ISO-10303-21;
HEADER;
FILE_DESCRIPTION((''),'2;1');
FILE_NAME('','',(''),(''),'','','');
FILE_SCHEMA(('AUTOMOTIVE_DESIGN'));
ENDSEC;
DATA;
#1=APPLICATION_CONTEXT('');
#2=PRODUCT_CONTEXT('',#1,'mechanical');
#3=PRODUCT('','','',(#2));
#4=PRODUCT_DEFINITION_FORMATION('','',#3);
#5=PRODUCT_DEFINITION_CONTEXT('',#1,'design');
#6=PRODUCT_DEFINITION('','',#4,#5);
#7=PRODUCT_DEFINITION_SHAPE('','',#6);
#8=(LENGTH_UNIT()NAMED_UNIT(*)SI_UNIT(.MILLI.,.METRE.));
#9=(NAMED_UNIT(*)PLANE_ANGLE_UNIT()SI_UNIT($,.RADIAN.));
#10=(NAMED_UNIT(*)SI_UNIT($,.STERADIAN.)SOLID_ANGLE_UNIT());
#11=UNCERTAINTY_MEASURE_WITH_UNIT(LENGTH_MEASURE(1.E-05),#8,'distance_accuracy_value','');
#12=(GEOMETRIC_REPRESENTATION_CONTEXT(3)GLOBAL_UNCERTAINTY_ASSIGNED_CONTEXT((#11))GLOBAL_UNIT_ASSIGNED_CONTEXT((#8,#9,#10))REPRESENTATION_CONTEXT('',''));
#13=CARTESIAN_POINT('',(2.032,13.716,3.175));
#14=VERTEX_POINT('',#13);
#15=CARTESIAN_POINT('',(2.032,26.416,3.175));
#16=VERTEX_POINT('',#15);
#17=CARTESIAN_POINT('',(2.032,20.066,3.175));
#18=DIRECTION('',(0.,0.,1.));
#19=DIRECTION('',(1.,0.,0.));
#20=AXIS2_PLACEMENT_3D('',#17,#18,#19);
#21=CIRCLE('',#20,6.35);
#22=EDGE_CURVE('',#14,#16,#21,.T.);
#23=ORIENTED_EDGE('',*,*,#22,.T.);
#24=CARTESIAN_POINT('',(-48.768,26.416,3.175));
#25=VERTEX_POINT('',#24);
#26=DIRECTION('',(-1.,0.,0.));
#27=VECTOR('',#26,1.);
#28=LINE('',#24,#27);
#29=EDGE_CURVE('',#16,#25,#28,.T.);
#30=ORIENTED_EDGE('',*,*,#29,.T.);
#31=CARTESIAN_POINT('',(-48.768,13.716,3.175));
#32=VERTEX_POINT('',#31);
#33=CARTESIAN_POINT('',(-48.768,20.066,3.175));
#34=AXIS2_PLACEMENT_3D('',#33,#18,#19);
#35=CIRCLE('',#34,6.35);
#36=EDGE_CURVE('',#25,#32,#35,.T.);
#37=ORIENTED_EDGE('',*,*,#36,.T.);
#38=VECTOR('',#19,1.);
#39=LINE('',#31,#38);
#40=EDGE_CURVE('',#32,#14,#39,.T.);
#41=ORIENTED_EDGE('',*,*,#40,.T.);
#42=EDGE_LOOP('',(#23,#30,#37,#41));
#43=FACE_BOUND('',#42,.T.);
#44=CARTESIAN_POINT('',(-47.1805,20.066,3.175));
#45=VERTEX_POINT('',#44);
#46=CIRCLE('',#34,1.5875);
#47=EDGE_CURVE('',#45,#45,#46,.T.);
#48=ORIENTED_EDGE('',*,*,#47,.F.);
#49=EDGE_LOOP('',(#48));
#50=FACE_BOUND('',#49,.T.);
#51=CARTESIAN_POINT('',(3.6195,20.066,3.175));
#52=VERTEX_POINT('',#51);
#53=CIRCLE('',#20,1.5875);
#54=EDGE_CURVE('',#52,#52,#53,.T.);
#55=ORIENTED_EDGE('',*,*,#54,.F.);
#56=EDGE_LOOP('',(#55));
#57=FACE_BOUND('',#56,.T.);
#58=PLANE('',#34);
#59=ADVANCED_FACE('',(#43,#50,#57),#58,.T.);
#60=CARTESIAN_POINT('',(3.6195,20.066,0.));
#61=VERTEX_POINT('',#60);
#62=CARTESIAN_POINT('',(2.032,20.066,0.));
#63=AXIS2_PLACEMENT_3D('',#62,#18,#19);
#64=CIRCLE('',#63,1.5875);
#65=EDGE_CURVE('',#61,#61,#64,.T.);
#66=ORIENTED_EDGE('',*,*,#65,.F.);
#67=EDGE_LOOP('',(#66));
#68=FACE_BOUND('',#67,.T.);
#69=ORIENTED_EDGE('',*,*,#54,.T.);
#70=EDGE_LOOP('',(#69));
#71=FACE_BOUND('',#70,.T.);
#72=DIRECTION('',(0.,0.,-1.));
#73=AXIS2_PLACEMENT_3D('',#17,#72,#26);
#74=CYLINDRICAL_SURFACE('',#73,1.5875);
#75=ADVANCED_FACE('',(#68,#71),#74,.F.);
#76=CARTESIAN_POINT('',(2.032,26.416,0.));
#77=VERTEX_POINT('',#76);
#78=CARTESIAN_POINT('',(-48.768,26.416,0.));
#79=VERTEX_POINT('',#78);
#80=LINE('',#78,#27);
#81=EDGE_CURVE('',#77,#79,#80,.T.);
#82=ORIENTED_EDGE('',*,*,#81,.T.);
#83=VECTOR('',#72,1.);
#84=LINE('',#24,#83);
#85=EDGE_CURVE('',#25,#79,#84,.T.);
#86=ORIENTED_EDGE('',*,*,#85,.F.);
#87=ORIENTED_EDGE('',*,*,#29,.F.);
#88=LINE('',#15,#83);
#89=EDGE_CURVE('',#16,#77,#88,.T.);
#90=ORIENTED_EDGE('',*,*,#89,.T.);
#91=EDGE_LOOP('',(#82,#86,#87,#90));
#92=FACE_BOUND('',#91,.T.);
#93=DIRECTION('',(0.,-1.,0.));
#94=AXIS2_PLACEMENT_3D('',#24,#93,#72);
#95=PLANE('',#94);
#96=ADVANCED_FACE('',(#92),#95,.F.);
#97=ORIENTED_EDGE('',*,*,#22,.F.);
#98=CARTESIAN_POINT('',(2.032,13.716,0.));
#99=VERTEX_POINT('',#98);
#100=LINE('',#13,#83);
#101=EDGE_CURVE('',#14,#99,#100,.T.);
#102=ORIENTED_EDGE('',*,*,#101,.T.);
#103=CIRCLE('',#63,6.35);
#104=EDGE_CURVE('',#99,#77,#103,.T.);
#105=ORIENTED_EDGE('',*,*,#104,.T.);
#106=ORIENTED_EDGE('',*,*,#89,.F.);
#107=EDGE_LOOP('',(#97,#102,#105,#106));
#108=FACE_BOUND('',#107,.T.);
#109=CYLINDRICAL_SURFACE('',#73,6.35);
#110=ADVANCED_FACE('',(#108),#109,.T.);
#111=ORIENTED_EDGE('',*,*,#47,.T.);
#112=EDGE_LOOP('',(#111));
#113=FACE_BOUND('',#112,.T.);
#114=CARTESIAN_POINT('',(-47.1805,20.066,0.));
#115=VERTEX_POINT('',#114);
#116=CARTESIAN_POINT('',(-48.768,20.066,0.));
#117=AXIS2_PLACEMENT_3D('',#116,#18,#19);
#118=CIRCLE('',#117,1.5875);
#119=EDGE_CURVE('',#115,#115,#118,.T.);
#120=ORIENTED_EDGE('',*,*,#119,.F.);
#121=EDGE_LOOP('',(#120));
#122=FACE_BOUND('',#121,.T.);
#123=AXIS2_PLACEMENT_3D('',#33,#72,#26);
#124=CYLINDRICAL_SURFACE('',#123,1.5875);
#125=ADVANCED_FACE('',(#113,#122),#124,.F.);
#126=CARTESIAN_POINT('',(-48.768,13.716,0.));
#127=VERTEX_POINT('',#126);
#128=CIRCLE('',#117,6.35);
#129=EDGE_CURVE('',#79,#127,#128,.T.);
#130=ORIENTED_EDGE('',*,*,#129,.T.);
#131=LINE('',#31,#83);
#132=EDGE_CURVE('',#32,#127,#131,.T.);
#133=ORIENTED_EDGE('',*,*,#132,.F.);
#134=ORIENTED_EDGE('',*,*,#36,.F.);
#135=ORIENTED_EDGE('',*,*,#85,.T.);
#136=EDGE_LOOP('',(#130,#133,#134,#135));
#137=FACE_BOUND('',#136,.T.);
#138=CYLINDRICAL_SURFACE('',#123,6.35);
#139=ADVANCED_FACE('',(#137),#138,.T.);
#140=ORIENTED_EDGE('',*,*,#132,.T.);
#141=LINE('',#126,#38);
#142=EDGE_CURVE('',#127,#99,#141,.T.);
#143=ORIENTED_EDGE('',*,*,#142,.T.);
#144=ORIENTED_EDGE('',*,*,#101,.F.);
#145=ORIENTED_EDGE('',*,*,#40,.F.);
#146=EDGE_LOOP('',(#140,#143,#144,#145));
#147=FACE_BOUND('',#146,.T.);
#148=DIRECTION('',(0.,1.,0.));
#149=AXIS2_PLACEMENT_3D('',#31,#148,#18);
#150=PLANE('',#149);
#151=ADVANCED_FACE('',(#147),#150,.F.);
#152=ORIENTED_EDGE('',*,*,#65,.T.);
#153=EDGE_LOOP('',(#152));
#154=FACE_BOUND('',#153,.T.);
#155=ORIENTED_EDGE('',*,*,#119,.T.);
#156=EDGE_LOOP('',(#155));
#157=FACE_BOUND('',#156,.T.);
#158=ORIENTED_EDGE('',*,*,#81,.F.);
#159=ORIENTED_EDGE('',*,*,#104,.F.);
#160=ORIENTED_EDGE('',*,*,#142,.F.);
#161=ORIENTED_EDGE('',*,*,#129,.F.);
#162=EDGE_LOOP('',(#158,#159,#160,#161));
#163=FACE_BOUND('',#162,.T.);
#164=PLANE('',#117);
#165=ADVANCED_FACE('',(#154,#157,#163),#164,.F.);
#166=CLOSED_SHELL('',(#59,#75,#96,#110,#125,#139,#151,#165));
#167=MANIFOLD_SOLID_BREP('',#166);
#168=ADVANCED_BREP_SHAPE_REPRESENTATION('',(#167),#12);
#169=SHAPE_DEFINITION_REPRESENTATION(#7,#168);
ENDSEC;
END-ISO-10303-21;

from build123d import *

# Parameters (mm, degrees)
SKETCH1_R           = 1.5875
BOSS_EXTRUDE1_DEPTH = 3.175


with BuildPart() as part:
    # Sketch1 → Boss-Extrude1 (new body)
    with BuildSketch(Plane.XY):
        with BuildLine():
            Line((-48.768, 26.416), (2.032, 26.416))
            ThreePointArc((2.032, 26.416), (8.382, 20.066), (2.032, 13.716))
            Line((2.032, 13.716), (-48.768, 13.716))
            ThreePointArc((-48.768, 13.716), (-55.118, 20.066), (-48.768, 26.416))
        make_face()
        with Locations((-48.768, 20.066)):
            Circle(SKETCH1_R, mode=Mode.SUBTRACT)
        with Locations((2.032, 20.066)):
            Circle(SKETCH1_R, mode=Mode.SUBTRACT)
    extrude(amount=BOSS_EXTRUDE1_DEPTH)


solid = part.part
